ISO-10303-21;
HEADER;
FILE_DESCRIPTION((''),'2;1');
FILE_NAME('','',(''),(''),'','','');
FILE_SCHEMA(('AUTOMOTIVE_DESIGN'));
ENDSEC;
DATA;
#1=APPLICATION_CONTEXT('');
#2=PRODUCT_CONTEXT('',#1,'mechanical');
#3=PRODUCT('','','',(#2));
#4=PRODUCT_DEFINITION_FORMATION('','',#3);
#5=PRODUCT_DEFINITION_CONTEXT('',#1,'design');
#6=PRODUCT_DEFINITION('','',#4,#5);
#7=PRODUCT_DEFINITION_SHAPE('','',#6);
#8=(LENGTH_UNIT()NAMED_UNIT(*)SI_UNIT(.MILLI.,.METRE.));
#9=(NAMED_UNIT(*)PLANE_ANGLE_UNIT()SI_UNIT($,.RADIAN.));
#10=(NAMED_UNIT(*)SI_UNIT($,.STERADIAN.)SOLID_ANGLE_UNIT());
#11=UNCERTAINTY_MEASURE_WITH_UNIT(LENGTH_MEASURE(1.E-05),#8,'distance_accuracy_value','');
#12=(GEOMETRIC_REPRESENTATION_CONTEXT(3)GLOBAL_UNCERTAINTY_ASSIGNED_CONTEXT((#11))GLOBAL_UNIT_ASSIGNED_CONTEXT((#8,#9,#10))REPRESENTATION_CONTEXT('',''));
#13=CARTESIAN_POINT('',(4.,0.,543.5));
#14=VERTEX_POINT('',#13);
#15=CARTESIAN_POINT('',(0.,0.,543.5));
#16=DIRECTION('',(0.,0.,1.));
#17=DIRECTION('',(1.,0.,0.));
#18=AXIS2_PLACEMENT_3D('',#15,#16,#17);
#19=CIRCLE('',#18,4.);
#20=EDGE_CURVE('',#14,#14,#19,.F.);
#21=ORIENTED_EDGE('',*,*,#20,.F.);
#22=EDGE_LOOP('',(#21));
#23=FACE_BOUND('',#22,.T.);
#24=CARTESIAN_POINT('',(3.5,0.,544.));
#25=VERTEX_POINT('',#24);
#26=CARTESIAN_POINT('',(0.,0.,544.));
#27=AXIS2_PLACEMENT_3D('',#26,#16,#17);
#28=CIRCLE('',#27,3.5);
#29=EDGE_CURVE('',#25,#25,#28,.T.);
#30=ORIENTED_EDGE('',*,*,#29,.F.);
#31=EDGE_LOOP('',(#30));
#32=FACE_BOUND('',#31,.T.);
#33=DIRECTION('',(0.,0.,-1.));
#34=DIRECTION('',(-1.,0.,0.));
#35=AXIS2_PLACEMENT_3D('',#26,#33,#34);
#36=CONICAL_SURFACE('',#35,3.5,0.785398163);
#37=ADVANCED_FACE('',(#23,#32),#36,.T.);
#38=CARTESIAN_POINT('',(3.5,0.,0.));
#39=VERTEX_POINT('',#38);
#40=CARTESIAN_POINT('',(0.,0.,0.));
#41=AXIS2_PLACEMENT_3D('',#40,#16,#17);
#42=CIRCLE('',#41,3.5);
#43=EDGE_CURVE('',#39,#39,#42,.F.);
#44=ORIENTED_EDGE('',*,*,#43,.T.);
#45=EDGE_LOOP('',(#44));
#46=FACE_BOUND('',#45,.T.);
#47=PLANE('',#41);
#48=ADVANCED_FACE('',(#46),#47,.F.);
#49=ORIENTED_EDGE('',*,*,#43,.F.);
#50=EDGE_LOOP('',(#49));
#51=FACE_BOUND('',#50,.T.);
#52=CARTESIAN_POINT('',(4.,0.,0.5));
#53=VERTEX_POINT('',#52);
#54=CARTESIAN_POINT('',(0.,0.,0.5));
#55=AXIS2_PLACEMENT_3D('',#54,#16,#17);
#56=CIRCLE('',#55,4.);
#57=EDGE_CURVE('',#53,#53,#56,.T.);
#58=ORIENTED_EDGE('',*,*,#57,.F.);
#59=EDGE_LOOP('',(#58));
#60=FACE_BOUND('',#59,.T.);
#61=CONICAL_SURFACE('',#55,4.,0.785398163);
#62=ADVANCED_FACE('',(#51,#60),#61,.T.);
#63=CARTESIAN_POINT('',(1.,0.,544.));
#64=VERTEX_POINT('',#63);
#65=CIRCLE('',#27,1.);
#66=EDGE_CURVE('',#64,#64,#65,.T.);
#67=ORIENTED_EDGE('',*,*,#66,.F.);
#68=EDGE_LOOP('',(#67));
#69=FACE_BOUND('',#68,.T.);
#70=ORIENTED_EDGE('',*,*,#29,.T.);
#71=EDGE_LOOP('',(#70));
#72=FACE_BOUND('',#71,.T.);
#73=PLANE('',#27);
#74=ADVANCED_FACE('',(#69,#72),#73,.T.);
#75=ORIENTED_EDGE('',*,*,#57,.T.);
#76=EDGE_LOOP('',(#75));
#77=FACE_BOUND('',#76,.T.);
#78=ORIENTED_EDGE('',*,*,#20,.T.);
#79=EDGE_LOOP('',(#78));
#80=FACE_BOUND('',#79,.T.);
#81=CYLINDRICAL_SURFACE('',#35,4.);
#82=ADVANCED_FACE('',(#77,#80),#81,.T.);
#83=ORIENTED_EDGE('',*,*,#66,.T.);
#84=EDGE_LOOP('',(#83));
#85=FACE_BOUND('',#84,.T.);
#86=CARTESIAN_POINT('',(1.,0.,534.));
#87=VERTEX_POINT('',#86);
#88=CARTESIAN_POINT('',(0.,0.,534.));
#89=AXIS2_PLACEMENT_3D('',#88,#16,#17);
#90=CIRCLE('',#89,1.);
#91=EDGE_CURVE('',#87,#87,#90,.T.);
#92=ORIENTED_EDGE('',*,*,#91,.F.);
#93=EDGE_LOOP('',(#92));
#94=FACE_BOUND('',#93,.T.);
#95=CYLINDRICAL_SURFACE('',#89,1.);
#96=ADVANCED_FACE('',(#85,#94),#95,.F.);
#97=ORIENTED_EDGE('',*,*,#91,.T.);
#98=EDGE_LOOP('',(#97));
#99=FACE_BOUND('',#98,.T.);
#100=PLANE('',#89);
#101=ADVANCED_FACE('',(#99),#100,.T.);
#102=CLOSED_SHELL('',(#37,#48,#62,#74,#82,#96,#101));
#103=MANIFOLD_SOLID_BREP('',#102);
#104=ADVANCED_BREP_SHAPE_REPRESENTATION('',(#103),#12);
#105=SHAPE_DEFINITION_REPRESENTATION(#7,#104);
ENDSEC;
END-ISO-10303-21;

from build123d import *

# Parameters (mm, degrees)
SKETCH1_R           = 4
BOSS_EXTRUDE1_DEPTH = 544
SKETCH2_R           = 1
CUT_EXTRUDE1_DEPTH  = 10
CHAMFER1_SIZE       = 0.5


with BuildPart() as part:
    # Sketch1 → Boss-Extrude1 (new body)
    with BuildSketch(Plane.XY):
        Circle(SKETCH1_R)
    extrude(amount=BOSS_EXTRUDE1_DEPTH)

    # Sketch2 → Cut-Extrude1 (cut)
    with BuildSketch(Plane.XY.offset(544)):
        Circle(SKETCH2_R)
    extrude(amount=-CUT_EXTRUDE1_DEPTH, mode=Mode.SUBTRACT)

    # Chamfer1
    chamfer1_edges = [part.edges().sort_by_distance(p)[0] for p in [
        (-4, 0, 0),
        (-4, 0, 544),
    ]]
    chamfer(chamfer1_edges, length=CHAMFER1_SIZE)


solid = part.part
